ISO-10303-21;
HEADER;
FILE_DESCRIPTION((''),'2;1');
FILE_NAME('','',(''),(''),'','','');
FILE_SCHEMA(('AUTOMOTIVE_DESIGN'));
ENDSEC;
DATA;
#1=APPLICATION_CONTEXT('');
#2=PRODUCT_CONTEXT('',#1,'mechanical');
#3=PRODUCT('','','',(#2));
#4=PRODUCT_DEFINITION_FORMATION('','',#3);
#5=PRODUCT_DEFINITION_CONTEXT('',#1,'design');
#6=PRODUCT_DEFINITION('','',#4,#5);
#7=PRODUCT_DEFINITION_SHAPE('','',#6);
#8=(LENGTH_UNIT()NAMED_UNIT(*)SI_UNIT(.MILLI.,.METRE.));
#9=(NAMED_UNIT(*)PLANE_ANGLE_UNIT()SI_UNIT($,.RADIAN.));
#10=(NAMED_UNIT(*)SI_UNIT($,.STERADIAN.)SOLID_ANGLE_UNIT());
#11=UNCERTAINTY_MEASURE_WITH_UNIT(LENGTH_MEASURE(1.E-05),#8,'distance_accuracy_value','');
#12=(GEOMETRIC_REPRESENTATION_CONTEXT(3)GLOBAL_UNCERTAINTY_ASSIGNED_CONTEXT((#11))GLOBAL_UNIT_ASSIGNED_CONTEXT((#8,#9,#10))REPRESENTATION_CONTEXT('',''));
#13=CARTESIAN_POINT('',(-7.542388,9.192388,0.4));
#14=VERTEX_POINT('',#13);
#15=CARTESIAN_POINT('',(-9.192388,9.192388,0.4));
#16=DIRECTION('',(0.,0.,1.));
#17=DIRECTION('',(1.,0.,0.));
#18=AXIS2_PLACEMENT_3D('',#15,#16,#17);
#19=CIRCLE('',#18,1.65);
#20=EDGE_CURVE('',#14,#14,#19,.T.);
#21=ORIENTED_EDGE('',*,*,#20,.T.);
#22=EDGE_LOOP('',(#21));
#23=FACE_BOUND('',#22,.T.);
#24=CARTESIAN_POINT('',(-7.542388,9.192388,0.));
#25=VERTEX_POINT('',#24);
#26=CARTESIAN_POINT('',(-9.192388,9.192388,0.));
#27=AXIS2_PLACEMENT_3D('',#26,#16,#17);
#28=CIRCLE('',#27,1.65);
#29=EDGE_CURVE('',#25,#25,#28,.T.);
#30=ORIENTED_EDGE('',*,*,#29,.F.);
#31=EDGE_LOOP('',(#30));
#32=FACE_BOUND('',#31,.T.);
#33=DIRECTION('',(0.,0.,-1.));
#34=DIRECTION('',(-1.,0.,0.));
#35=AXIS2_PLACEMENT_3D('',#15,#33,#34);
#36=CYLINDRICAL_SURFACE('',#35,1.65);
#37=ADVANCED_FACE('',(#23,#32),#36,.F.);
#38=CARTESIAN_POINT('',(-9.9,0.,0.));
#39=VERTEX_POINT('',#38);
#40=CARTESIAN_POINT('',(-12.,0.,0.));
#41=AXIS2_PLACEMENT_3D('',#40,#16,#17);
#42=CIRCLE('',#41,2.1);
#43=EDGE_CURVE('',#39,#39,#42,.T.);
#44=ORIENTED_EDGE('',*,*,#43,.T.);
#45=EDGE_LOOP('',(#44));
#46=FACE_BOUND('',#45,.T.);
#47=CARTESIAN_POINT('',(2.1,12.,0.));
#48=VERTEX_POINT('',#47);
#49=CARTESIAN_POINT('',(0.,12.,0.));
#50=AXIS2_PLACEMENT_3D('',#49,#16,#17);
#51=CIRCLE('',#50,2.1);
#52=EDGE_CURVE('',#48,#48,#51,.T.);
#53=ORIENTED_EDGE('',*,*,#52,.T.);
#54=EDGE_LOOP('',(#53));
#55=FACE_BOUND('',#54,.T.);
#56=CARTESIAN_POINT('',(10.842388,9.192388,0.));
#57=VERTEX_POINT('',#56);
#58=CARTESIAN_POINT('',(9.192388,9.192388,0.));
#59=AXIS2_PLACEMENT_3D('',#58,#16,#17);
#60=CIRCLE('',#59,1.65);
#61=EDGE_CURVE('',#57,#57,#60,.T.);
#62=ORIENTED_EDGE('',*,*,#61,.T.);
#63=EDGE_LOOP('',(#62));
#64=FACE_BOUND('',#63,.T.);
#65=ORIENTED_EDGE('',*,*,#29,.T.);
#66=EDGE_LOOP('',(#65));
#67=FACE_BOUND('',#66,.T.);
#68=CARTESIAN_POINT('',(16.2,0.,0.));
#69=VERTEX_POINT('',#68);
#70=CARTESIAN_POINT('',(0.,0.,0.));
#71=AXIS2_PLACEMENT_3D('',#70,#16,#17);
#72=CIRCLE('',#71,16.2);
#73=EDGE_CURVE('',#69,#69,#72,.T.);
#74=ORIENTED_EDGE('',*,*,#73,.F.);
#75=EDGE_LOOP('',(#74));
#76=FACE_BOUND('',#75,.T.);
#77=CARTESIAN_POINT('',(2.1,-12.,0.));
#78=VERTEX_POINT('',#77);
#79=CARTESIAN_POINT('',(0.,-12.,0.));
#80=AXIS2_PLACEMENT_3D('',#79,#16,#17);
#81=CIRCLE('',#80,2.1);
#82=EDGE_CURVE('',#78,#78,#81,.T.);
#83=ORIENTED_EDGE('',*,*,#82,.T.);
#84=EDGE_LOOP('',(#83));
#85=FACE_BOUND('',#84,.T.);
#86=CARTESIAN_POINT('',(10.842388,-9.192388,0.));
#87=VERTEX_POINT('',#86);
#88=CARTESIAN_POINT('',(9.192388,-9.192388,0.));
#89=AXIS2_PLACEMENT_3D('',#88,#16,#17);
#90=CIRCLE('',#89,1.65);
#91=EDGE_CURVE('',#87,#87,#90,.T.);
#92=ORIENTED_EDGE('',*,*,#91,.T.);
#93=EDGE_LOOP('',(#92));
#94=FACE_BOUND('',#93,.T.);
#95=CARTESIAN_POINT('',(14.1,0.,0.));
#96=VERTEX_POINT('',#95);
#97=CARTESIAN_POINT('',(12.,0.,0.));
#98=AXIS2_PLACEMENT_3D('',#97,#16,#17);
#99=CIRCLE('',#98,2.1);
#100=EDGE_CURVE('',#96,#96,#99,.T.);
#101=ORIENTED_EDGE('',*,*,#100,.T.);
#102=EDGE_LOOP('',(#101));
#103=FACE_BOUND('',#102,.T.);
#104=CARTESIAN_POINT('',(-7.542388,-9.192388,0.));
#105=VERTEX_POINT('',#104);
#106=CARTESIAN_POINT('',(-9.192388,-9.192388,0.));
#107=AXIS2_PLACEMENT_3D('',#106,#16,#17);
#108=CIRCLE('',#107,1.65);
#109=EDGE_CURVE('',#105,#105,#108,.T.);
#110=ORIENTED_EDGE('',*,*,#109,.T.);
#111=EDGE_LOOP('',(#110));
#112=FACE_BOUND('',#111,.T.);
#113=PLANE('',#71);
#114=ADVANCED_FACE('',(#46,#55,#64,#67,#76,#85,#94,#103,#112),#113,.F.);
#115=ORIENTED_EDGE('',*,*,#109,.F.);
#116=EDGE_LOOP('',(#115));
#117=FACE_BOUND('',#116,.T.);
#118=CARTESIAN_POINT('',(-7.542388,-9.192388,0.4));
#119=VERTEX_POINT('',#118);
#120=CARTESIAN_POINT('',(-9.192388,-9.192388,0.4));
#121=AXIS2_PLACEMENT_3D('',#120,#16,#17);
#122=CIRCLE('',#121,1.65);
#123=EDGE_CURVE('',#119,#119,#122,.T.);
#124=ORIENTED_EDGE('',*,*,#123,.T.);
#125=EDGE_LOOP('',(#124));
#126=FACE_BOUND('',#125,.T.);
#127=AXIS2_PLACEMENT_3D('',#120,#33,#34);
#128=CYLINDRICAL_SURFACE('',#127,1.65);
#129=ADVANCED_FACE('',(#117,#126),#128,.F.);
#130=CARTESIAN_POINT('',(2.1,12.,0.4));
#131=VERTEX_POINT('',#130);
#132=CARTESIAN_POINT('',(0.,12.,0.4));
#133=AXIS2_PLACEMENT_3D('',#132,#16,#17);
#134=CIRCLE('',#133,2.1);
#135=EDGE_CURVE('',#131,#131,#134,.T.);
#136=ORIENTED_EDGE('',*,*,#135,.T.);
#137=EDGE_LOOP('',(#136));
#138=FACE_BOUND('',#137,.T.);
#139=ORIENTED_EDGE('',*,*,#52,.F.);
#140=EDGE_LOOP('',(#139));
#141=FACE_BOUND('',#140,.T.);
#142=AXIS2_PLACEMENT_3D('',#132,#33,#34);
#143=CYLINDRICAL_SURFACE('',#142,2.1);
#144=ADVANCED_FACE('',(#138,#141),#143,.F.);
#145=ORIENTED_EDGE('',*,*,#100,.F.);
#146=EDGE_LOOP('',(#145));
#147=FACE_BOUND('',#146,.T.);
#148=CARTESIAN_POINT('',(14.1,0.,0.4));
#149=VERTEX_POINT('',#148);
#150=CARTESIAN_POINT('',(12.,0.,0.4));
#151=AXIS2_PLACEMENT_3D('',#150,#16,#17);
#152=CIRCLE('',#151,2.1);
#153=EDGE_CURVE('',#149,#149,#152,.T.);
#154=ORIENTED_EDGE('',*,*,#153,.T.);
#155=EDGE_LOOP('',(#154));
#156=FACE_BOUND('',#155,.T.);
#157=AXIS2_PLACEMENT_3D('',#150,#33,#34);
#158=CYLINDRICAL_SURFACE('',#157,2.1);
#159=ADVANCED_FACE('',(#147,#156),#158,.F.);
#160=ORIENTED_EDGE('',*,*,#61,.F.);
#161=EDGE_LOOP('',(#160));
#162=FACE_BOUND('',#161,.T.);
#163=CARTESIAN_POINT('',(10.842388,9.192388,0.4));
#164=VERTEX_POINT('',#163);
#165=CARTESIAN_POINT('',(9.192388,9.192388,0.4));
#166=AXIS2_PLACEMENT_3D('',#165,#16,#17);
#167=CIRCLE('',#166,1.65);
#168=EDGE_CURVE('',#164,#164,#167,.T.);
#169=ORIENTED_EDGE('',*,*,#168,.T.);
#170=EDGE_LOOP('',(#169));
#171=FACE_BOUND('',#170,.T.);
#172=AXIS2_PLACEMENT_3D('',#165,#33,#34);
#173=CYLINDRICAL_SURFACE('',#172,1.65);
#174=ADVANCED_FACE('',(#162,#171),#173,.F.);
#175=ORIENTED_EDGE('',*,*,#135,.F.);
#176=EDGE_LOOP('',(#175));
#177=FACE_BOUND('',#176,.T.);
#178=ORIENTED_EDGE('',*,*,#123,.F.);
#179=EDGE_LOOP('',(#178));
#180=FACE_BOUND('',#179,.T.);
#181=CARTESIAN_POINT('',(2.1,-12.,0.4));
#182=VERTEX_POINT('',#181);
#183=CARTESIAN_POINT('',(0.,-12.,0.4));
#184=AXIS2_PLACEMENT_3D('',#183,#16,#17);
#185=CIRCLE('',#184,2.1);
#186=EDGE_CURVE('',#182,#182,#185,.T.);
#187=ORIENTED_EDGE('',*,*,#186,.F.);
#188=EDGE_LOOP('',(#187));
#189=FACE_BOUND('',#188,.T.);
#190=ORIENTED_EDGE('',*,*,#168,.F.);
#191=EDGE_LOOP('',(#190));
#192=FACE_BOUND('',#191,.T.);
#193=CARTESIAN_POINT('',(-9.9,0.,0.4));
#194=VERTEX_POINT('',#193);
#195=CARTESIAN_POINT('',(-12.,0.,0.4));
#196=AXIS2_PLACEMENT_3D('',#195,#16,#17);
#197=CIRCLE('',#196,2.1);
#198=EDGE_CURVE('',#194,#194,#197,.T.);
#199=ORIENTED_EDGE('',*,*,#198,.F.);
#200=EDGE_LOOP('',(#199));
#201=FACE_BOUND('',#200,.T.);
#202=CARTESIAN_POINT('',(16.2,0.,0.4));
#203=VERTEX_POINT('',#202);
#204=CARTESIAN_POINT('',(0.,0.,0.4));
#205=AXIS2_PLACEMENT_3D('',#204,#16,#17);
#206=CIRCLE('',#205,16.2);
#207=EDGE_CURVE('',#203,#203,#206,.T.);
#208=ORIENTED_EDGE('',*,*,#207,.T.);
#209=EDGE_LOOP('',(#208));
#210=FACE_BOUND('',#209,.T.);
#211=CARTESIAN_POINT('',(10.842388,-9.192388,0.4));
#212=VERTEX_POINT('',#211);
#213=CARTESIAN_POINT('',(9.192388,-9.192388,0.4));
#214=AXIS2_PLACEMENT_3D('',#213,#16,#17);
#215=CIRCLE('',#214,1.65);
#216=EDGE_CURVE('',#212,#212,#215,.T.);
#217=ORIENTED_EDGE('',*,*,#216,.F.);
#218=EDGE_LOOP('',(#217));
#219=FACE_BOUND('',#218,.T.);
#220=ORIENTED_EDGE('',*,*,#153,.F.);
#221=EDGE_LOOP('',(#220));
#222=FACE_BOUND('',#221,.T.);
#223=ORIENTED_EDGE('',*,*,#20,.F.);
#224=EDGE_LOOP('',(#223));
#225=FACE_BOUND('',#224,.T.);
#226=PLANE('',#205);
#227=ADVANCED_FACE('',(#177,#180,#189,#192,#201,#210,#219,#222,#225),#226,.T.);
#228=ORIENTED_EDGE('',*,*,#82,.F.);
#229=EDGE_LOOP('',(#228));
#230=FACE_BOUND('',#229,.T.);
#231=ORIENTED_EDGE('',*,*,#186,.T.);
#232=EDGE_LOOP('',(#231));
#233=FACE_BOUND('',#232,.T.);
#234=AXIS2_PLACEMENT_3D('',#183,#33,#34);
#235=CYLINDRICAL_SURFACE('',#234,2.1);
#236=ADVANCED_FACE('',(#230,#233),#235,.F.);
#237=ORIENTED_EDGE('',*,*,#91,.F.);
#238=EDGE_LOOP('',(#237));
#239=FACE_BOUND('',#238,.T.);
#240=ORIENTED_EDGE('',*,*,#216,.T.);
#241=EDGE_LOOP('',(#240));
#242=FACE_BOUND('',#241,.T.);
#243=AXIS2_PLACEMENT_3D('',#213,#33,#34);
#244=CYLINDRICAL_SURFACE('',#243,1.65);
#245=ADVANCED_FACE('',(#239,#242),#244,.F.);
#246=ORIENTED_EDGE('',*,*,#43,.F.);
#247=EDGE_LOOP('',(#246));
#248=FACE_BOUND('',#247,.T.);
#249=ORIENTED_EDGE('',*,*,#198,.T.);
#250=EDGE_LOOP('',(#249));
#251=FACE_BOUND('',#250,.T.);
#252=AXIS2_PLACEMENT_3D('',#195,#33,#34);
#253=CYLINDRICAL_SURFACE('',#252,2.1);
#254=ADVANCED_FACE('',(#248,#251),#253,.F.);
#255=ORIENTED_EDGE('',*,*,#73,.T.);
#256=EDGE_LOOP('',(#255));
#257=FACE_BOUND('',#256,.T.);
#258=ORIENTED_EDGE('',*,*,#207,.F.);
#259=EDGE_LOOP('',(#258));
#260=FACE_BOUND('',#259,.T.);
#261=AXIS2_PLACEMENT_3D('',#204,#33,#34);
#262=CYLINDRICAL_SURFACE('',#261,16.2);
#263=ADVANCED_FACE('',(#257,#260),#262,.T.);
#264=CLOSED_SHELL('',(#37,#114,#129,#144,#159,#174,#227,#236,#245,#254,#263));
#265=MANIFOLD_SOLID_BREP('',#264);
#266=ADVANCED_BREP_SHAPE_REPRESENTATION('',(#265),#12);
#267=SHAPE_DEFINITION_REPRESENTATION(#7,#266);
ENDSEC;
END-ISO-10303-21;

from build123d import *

# Parameters (mm, degrees)
SKETCH1_R           = 16.2
SKETCH1_R_2         = 2.1
SKETCH1_R_3         = 1.65
BOSS_EXTRUDE1_DEPTH = 0.4


with BuildPart() as part:
    # Sketch1 → Boss-Extrude1 (new body)
    with BuildSketch(Plane(origin=(0, 0, 0), x_dir=(0, 1, 0), z_dir=(0, 0, 1))):
        Circle(SKETCH1_R)
        with Locations((0, 12)):
            Circle(SKETCH1_R_2, mode=Mode.SUBTRACT)
        with Locations((9.192388155, 9.192388155)):
            Circle(SKETCH1_R_3, mode=Mode.SUBTRACT)
        with Locations((12, 0)):
            Circle(SKETCH1_R_2, mode=Mode.SUBTRACT)
        with Locations((9.192388155, -9.192388155)):
            Circle(SKETCH1_R_3, mode=Mode.SUBTRACT)
        with Locations((0, -12)):
            Circle(SKETCH1_R_2, mode=Mode.SUBTRACT)
        with Locations((-9.192388155, -9.192388155)):
            Circle(SKETCH1_R_3, mode=Mode.SUBTRACT)
        with Locations((-12, 0)):
            Circle(SKETCH1_R_2, mode=Mode.SUBTRACT)
        with Locations((-9.192388155, 9.192388155)):
            Circle(SKETCH1_R_3, mode=Mode.SUBTRACT)
    extrude(amount=BOSS_EXTRUDE1_DEPTH)


solid = part.part
